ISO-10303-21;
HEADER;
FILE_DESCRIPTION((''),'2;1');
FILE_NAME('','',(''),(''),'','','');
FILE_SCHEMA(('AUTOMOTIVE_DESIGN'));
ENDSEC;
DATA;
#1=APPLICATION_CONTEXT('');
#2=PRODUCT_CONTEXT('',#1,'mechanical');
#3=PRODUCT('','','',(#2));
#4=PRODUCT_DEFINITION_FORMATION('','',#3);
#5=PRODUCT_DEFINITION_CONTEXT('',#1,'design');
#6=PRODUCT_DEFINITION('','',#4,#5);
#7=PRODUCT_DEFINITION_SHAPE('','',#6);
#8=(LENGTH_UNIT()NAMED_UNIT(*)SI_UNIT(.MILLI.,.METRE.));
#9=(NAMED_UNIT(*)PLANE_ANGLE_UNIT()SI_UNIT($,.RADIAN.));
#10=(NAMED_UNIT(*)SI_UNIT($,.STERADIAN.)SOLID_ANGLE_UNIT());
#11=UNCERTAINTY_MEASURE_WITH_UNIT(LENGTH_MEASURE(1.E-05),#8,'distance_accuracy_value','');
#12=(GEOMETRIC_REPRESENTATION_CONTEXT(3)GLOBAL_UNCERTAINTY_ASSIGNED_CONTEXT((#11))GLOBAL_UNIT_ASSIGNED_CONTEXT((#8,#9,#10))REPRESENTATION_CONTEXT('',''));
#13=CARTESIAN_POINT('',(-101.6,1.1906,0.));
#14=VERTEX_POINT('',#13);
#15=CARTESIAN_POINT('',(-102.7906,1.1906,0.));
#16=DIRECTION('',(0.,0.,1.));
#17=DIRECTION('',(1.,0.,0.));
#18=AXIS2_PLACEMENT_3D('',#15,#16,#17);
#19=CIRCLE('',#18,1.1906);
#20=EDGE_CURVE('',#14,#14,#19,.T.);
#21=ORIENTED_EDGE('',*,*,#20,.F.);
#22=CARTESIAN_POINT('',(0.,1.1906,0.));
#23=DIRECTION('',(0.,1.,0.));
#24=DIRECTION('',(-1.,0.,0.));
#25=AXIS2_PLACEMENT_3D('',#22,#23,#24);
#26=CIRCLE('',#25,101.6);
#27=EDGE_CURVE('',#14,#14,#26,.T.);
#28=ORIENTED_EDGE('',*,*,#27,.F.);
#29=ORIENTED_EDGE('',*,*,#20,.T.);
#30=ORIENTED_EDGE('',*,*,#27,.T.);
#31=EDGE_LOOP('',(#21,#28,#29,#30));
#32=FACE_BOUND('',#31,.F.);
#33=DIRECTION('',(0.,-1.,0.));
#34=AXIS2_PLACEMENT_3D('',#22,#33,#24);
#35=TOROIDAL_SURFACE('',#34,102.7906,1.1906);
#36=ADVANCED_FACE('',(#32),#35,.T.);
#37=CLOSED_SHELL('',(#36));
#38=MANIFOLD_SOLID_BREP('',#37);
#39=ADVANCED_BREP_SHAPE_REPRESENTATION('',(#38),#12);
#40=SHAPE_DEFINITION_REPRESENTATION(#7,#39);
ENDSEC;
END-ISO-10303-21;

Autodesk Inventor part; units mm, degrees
ref_plane "YZ Plane" through (0, 0, 0) normal (1, 0, 0) x (0, 1, 0)
ref_plane "XZ Plane" through (0, 0, 0) normal (0, 1, 0) x (-1, 0, 0)
ref_plane "XY Plane" through (0, 0, 0) normal (0, 0, 1) x (1, 0, 0)
sketch "Sketch1" plane through (0, 0, 0) normal (0, 0, 1) x (1, 0, 0)
  line L0 (-103.9813, 2.3813) -> (-101.6, 2.3813) construction
  line L1 (-101.6, 2.3813) -> (-101.6, 0) construction
  line L2 (-101.6, 0) -> (-103.9813, 0) construction
  line L3 (-103.9813, 0) -> (-103.9813, 2.3813) construction
  line L4 (-103.9813, 2.3813) -> (-101.6, 0) construction
  line L5 (-101.6, 2.3813) -> (-103.9813, 0) construction
  circle A0 centre (-102.7906, 1.1906) radius 1.1906
  line L6 (0, -0.4763) -> (0, 2.8575) projected
  point P0 (0, 0)
  dimension "d0" = 2.3813
  dimension "d1" = 2.3813
  dimension "d2" = 101.6
revolve "Revolution1" add sketch "Sketch1" angle 360 about axis through (0, -10, 0) along (0, 1, 0)
properties part number "OringV2"
